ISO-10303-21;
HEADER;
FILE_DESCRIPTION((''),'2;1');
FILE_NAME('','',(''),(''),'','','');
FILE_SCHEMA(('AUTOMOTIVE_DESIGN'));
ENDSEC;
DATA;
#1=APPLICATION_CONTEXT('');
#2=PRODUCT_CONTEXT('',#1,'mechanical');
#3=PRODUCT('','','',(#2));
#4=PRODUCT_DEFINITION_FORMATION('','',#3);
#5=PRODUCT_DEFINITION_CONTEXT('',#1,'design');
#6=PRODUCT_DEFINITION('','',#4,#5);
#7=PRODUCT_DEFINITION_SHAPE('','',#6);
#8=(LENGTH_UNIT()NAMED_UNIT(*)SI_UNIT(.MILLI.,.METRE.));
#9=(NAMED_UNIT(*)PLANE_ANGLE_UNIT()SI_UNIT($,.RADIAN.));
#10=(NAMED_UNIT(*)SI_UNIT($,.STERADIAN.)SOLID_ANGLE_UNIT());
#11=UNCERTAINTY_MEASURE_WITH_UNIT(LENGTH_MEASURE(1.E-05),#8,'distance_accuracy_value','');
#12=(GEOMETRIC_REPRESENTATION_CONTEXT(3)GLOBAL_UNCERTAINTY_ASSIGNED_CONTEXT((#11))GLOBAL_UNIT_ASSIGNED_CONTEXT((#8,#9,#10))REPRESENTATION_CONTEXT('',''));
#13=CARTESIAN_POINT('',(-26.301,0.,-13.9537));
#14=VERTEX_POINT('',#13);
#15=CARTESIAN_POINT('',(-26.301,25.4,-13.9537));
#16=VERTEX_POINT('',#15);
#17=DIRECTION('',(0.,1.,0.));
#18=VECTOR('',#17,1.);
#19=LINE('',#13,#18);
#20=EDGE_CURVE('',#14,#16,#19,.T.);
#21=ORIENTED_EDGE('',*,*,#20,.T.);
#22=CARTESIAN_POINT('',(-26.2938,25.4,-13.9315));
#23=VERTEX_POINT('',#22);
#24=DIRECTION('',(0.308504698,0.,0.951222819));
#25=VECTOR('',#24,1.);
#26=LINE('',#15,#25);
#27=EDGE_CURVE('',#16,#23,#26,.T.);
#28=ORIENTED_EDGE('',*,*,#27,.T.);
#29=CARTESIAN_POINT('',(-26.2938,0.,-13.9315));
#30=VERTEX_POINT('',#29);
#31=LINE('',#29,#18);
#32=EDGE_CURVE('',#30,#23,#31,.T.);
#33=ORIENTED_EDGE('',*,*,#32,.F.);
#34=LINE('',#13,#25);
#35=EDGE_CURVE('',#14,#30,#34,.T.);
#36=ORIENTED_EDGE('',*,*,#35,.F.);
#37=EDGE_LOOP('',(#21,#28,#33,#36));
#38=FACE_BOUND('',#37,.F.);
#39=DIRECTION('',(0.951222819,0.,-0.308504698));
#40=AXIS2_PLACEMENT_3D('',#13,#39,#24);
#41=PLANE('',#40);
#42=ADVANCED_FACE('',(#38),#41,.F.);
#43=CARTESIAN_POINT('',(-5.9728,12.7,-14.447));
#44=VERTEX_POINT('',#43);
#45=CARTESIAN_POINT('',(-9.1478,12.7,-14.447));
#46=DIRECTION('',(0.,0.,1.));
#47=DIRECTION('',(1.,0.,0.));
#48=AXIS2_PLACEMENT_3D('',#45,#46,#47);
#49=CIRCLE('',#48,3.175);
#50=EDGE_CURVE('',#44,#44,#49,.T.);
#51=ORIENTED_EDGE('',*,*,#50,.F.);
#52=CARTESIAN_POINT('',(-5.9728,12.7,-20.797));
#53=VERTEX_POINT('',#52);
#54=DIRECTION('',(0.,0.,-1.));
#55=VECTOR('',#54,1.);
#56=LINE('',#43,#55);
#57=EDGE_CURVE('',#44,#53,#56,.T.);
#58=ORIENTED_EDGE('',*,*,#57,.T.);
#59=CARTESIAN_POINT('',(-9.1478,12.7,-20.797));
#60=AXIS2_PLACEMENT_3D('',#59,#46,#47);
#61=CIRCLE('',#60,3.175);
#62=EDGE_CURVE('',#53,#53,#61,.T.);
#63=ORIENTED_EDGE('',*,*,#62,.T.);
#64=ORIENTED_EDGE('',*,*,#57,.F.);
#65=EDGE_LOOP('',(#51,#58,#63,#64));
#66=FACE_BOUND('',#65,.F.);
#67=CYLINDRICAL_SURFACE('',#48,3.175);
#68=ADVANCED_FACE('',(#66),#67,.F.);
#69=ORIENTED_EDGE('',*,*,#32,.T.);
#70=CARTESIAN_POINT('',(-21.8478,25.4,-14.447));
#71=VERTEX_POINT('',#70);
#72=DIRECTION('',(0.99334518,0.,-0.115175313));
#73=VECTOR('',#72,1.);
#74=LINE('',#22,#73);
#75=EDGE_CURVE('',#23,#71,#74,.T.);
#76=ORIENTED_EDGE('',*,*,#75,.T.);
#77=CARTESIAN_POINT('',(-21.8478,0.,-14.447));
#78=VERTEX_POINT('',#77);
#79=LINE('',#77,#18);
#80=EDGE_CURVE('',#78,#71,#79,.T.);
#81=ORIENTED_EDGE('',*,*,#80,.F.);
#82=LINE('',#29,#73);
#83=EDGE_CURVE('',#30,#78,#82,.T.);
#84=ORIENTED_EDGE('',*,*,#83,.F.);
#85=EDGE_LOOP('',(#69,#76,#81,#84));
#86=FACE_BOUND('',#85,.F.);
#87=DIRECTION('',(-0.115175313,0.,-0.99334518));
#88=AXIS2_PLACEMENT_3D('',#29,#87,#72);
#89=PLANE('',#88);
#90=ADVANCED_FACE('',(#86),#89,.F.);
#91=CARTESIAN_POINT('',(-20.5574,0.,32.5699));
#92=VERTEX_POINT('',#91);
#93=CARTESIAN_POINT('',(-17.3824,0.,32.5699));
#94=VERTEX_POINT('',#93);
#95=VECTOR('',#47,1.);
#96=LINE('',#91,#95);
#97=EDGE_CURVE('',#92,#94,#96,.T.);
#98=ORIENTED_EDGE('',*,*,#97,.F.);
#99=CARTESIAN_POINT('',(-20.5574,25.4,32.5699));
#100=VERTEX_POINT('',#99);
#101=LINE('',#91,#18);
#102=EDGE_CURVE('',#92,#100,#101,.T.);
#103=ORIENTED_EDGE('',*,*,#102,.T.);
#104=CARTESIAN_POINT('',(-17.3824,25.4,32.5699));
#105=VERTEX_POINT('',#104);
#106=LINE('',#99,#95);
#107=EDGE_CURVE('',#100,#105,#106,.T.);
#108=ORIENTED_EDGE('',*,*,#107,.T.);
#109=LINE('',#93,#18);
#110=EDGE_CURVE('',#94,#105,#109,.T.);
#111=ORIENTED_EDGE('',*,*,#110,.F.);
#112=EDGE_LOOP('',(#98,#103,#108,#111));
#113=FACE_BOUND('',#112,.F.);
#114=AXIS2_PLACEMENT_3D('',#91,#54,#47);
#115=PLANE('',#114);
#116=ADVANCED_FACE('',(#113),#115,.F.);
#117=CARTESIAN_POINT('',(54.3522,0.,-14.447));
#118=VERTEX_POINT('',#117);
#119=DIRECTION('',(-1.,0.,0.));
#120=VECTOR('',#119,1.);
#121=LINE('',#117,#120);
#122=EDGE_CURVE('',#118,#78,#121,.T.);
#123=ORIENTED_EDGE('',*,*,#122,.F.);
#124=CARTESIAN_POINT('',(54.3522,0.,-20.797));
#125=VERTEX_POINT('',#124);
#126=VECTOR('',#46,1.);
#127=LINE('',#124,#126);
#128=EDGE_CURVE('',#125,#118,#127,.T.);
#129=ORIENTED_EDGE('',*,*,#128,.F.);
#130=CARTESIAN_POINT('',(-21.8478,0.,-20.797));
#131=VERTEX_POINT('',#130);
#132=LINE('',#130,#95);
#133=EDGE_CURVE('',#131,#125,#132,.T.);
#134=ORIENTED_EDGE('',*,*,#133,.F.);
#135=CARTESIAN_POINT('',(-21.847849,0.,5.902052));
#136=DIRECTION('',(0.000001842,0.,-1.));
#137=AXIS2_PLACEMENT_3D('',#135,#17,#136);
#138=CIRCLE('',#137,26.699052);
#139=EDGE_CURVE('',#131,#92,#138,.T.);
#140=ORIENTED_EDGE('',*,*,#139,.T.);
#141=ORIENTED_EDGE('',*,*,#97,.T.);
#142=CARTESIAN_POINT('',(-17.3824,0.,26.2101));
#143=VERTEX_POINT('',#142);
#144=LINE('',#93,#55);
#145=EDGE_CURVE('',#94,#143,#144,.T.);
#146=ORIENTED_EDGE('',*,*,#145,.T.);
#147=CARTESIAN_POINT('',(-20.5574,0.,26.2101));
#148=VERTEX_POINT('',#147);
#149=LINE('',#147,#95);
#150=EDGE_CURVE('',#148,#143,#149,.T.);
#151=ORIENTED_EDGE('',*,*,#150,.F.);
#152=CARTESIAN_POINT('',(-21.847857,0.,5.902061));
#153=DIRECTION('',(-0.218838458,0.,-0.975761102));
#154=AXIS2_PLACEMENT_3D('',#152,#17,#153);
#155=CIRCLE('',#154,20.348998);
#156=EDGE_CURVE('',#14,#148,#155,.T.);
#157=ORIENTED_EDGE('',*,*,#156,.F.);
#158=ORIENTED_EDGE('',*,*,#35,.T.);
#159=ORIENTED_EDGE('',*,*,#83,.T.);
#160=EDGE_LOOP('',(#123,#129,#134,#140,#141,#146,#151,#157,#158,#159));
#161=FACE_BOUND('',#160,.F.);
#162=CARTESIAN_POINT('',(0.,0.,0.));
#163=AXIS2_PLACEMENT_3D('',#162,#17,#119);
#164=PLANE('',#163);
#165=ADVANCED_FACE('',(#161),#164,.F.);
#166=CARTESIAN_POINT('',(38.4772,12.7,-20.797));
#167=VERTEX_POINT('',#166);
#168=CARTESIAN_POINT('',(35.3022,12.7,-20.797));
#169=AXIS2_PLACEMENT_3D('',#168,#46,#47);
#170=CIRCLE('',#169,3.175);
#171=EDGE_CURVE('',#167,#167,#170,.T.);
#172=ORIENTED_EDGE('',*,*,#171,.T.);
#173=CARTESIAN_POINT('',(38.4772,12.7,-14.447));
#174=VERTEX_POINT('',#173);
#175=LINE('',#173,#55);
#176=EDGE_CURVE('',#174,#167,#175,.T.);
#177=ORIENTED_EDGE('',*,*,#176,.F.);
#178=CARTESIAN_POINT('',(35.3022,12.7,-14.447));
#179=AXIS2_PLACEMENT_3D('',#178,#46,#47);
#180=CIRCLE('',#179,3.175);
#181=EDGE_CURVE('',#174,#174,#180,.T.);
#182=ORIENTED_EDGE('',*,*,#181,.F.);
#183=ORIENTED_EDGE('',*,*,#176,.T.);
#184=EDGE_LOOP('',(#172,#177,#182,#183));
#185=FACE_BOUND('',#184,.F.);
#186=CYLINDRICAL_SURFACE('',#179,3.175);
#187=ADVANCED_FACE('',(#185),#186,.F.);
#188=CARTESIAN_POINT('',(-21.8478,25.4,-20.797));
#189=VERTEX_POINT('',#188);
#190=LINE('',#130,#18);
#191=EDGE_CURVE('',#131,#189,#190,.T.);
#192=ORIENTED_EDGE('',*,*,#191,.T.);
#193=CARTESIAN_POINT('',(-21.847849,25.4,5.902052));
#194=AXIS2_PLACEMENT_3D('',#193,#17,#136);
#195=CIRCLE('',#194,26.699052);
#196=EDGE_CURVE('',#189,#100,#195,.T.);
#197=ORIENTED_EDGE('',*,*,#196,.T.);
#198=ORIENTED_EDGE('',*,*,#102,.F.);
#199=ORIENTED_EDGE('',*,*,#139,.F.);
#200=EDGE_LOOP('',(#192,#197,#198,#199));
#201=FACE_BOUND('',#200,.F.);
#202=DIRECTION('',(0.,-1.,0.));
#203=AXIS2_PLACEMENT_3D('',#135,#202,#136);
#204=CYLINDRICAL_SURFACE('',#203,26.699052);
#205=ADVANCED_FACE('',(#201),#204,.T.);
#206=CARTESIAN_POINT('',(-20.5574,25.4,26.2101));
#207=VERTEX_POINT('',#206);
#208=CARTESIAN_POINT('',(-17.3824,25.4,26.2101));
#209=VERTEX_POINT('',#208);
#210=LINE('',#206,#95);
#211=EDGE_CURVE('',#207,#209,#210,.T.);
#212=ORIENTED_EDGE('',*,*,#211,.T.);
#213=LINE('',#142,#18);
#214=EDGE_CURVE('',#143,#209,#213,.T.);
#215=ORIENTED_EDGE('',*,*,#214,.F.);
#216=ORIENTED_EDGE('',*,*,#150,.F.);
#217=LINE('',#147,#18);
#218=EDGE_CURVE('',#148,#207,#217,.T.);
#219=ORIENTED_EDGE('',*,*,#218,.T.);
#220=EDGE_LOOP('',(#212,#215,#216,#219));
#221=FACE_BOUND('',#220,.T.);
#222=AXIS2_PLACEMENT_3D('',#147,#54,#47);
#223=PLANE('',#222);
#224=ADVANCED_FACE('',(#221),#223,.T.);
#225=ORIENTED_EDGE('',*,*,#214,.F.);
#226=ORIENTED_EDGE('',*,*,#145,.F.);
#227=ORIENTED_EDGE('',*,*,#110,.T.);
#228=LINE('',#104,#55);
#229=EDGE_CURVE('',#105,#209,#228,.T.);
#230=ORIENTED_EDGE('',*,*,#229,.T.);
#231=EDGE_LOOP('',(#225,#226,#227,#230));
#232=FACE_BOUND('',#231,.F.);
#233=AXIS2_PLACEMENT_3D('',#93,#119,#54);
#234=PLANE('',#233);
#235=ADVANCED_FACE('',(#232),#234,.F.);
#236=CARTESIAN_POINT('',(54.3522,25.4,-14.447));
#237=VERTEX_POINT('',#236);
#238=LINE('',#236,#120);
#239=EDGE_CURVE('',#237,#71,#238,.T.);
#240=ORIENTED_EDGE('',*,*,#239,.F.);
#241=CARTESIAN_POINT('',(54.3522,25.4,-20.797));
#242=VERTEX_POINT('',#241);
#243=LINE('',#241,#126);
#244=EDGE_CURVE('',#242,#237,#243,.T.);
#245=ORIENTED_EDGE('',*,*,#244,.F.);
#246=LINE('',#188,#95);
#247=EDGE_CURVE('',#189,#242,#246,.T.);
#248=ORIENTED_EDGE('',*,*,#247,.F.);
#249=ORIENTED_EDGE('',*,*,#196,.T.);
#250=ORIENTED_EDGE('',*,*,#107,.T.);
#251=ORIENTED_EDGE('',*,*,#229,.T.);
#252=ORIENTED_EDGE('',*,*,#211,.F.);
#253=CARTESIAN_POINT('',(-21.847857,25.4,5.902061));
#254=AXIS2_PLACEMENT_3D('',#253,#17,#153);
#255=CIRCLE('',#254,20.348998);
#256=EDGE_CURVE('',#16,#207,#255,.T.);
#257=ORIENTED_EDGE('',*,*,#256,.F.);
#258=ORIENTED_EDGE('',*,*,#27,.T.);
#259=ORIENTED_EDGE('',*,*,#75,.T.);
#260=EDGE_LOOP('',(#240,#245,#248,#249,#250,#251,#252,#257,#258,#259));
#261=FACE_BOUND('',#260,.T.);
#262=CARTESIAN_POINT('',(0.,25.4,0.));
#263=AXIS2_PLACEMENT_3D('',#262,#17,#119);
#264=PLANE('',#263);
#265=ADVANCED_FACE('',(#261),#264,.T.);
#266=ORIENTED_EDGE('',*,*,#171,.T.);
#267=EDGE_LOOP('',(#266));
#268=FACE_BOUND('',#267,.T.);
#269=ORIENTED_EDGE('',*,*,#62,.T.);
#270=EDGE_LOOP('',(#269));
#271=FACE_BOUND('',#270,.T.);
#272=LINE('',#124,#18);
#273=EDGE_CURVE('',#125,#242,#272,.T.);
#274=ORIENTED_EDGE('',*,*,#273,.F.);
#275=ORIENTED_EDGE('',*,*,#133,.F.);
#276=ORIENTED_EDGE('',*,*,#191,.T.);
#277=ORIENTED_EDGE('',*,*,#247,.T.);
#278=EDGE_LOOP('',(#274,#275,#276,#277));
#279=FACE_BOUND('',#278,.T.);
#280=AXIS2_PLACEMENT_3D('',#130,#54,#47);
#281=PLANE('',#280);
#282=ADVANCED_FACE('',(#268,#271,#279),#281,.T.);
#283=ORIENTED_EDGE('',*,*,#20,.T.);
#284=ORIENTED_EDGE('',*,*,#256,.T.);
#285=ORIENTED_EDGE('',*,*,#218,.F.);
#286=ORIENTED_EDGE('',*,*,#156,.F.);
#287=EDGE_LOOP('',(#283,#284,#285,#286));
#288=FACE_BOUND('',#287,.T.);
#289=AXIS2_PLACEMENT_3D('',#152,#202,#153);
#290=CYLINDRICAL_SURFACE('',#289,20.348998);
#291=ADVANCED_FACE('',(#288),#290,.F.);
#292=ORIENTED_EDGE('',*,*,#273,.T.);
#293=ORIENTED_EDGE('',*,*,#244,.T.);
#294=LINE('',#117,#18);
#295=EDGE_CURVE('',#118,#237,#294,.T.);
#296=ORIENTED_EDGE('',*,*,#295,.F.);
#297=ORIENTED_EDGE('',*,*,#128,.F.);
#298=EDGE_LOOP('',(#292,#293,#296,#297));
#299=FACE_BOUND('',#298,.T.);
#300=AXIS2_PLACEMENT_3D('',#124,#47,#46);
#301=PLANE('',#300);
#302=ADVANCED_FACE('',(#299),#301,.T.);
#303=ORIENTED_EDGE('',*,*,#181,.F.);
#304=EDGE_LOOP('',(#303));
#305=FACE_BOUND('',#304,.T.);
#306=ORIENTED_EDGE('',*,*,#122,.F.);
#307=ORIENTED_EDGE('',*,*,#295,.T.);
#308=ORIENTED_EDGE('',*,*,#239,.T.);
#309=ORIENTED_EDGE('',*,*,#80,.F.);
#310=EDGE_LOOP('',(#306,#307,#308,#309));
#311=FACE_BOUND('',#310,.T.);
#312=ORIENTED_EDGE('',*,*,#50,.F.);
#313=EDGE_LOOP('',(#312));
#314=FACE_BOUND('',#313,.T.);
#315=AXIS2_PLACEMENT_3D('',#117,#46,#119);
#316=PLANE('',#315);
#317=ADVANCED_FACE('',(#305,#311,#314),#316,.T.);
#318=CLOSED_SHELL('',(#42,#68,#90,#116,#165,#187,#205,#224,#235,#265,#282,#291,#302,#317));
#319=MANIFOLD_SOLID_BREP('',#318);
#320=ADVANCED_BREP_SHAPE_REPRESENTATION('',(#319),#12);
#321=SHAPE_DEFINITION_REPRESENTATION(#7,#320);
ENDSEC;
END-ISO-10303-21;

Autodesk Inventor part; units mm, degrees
ref_plane "YZ Plane" through (0, 0, 0) normal (1, 0, 0) x (0, 1, 0)
ref_plane "XZ Plane" through (0, 0, 0) normal (0, 1, 0) x (-1, 0, 0)
ref_plane "XY Plane" through (0, 0, 0) normal (0, 0, 1) x (1, 0, 0)
sketch "Sketch1" plane through (0, 0, 0) normal (0, 1, 0) x (-1, 0, 0)
  line L0 (21.8478, -20.797) -> (-54.3522, -20.797)
  line L1 (-54.3522, -20.797) -> (-54.3522, -14.447)
  line L2 (-54.3522, -14.447) -> (21.8478, -14.447)
  line L3 (21.8478, -20.797) -> (6.1545, 27.502) construction
  line L4 (21.8478, -20.797) -> (72.6323, -20.797) construction
  arc A0 (26.301, -13.9537) -> (20.5574, 26.2101) centre (21.8478, 5.9021) ccw
  line L5 (26.301, -13.9537) -> (26.2938, -13.9315)
  line L6 (26.2938, -13.9315) -> (21.8478, -14.447)
  line L7 (20.5574, 26.2101) -> (17.3824, 26.2101)
  arc A1 (21.8478, -20.797) -> (20.5574, 32.5699) centre (21.8478, 5.9021) ccw
  line L8 (20.5574, 32.5699) -> (17.3824, 32.5699)
  line L9 (17.3824, 32.5699) -> (17.3824, 26.2101)
  point P0 (0, 0)
  dimension "d5" = 6.35
  dimension "d6" = 76.2
  dimension "d7" = 76.2
  dimension "d10" = 50.7846
  dimension "d11" = 108
  dimension "d13" = 3.175
extrude "Extrusion1" add sketch "Sketch1" along normal blind 25.4
sketch "Sketch2" plane through (-21.8478, 0, -14.447) normal (0, 0, 1) x (1, 0, 0)
  circle A0 centre (57.15, 12.7) radius 3.175
  circle A1 centre (12.7, 12.7) radius 3.175
  line L0 (76.2, 0) -> (76.2, 25.4) projected
  point P0 (21.8478, 0)
  dimension "d17" = 6.35
  dimension "d18" = 6.35
  dimension "d19" = 19.05
  dimension "d20" = 63.5
extrude "Extrusion2" cut sketch "Sketch2" against normal blind 6.35
sketch "Sketch3" plane through (-21.8478, 0, -14.447) normal (0, 0, 1) x (1, 0, 0)
  circle A0 centre (12.7, 12.7) radius 3.175 projected
  line L0 (0, 0) -> (0, 25.4) projected
  line L1 (76.2, 0) -> (76.2, 25.4) projected
  circle A1 centre (57.15, 12.7) radius 3.175 projected
  point P0 (21.8478, 0)
  dimension "d23" = 12.7
  dimension "d24" = 19.05
properties part number "Brazo"
